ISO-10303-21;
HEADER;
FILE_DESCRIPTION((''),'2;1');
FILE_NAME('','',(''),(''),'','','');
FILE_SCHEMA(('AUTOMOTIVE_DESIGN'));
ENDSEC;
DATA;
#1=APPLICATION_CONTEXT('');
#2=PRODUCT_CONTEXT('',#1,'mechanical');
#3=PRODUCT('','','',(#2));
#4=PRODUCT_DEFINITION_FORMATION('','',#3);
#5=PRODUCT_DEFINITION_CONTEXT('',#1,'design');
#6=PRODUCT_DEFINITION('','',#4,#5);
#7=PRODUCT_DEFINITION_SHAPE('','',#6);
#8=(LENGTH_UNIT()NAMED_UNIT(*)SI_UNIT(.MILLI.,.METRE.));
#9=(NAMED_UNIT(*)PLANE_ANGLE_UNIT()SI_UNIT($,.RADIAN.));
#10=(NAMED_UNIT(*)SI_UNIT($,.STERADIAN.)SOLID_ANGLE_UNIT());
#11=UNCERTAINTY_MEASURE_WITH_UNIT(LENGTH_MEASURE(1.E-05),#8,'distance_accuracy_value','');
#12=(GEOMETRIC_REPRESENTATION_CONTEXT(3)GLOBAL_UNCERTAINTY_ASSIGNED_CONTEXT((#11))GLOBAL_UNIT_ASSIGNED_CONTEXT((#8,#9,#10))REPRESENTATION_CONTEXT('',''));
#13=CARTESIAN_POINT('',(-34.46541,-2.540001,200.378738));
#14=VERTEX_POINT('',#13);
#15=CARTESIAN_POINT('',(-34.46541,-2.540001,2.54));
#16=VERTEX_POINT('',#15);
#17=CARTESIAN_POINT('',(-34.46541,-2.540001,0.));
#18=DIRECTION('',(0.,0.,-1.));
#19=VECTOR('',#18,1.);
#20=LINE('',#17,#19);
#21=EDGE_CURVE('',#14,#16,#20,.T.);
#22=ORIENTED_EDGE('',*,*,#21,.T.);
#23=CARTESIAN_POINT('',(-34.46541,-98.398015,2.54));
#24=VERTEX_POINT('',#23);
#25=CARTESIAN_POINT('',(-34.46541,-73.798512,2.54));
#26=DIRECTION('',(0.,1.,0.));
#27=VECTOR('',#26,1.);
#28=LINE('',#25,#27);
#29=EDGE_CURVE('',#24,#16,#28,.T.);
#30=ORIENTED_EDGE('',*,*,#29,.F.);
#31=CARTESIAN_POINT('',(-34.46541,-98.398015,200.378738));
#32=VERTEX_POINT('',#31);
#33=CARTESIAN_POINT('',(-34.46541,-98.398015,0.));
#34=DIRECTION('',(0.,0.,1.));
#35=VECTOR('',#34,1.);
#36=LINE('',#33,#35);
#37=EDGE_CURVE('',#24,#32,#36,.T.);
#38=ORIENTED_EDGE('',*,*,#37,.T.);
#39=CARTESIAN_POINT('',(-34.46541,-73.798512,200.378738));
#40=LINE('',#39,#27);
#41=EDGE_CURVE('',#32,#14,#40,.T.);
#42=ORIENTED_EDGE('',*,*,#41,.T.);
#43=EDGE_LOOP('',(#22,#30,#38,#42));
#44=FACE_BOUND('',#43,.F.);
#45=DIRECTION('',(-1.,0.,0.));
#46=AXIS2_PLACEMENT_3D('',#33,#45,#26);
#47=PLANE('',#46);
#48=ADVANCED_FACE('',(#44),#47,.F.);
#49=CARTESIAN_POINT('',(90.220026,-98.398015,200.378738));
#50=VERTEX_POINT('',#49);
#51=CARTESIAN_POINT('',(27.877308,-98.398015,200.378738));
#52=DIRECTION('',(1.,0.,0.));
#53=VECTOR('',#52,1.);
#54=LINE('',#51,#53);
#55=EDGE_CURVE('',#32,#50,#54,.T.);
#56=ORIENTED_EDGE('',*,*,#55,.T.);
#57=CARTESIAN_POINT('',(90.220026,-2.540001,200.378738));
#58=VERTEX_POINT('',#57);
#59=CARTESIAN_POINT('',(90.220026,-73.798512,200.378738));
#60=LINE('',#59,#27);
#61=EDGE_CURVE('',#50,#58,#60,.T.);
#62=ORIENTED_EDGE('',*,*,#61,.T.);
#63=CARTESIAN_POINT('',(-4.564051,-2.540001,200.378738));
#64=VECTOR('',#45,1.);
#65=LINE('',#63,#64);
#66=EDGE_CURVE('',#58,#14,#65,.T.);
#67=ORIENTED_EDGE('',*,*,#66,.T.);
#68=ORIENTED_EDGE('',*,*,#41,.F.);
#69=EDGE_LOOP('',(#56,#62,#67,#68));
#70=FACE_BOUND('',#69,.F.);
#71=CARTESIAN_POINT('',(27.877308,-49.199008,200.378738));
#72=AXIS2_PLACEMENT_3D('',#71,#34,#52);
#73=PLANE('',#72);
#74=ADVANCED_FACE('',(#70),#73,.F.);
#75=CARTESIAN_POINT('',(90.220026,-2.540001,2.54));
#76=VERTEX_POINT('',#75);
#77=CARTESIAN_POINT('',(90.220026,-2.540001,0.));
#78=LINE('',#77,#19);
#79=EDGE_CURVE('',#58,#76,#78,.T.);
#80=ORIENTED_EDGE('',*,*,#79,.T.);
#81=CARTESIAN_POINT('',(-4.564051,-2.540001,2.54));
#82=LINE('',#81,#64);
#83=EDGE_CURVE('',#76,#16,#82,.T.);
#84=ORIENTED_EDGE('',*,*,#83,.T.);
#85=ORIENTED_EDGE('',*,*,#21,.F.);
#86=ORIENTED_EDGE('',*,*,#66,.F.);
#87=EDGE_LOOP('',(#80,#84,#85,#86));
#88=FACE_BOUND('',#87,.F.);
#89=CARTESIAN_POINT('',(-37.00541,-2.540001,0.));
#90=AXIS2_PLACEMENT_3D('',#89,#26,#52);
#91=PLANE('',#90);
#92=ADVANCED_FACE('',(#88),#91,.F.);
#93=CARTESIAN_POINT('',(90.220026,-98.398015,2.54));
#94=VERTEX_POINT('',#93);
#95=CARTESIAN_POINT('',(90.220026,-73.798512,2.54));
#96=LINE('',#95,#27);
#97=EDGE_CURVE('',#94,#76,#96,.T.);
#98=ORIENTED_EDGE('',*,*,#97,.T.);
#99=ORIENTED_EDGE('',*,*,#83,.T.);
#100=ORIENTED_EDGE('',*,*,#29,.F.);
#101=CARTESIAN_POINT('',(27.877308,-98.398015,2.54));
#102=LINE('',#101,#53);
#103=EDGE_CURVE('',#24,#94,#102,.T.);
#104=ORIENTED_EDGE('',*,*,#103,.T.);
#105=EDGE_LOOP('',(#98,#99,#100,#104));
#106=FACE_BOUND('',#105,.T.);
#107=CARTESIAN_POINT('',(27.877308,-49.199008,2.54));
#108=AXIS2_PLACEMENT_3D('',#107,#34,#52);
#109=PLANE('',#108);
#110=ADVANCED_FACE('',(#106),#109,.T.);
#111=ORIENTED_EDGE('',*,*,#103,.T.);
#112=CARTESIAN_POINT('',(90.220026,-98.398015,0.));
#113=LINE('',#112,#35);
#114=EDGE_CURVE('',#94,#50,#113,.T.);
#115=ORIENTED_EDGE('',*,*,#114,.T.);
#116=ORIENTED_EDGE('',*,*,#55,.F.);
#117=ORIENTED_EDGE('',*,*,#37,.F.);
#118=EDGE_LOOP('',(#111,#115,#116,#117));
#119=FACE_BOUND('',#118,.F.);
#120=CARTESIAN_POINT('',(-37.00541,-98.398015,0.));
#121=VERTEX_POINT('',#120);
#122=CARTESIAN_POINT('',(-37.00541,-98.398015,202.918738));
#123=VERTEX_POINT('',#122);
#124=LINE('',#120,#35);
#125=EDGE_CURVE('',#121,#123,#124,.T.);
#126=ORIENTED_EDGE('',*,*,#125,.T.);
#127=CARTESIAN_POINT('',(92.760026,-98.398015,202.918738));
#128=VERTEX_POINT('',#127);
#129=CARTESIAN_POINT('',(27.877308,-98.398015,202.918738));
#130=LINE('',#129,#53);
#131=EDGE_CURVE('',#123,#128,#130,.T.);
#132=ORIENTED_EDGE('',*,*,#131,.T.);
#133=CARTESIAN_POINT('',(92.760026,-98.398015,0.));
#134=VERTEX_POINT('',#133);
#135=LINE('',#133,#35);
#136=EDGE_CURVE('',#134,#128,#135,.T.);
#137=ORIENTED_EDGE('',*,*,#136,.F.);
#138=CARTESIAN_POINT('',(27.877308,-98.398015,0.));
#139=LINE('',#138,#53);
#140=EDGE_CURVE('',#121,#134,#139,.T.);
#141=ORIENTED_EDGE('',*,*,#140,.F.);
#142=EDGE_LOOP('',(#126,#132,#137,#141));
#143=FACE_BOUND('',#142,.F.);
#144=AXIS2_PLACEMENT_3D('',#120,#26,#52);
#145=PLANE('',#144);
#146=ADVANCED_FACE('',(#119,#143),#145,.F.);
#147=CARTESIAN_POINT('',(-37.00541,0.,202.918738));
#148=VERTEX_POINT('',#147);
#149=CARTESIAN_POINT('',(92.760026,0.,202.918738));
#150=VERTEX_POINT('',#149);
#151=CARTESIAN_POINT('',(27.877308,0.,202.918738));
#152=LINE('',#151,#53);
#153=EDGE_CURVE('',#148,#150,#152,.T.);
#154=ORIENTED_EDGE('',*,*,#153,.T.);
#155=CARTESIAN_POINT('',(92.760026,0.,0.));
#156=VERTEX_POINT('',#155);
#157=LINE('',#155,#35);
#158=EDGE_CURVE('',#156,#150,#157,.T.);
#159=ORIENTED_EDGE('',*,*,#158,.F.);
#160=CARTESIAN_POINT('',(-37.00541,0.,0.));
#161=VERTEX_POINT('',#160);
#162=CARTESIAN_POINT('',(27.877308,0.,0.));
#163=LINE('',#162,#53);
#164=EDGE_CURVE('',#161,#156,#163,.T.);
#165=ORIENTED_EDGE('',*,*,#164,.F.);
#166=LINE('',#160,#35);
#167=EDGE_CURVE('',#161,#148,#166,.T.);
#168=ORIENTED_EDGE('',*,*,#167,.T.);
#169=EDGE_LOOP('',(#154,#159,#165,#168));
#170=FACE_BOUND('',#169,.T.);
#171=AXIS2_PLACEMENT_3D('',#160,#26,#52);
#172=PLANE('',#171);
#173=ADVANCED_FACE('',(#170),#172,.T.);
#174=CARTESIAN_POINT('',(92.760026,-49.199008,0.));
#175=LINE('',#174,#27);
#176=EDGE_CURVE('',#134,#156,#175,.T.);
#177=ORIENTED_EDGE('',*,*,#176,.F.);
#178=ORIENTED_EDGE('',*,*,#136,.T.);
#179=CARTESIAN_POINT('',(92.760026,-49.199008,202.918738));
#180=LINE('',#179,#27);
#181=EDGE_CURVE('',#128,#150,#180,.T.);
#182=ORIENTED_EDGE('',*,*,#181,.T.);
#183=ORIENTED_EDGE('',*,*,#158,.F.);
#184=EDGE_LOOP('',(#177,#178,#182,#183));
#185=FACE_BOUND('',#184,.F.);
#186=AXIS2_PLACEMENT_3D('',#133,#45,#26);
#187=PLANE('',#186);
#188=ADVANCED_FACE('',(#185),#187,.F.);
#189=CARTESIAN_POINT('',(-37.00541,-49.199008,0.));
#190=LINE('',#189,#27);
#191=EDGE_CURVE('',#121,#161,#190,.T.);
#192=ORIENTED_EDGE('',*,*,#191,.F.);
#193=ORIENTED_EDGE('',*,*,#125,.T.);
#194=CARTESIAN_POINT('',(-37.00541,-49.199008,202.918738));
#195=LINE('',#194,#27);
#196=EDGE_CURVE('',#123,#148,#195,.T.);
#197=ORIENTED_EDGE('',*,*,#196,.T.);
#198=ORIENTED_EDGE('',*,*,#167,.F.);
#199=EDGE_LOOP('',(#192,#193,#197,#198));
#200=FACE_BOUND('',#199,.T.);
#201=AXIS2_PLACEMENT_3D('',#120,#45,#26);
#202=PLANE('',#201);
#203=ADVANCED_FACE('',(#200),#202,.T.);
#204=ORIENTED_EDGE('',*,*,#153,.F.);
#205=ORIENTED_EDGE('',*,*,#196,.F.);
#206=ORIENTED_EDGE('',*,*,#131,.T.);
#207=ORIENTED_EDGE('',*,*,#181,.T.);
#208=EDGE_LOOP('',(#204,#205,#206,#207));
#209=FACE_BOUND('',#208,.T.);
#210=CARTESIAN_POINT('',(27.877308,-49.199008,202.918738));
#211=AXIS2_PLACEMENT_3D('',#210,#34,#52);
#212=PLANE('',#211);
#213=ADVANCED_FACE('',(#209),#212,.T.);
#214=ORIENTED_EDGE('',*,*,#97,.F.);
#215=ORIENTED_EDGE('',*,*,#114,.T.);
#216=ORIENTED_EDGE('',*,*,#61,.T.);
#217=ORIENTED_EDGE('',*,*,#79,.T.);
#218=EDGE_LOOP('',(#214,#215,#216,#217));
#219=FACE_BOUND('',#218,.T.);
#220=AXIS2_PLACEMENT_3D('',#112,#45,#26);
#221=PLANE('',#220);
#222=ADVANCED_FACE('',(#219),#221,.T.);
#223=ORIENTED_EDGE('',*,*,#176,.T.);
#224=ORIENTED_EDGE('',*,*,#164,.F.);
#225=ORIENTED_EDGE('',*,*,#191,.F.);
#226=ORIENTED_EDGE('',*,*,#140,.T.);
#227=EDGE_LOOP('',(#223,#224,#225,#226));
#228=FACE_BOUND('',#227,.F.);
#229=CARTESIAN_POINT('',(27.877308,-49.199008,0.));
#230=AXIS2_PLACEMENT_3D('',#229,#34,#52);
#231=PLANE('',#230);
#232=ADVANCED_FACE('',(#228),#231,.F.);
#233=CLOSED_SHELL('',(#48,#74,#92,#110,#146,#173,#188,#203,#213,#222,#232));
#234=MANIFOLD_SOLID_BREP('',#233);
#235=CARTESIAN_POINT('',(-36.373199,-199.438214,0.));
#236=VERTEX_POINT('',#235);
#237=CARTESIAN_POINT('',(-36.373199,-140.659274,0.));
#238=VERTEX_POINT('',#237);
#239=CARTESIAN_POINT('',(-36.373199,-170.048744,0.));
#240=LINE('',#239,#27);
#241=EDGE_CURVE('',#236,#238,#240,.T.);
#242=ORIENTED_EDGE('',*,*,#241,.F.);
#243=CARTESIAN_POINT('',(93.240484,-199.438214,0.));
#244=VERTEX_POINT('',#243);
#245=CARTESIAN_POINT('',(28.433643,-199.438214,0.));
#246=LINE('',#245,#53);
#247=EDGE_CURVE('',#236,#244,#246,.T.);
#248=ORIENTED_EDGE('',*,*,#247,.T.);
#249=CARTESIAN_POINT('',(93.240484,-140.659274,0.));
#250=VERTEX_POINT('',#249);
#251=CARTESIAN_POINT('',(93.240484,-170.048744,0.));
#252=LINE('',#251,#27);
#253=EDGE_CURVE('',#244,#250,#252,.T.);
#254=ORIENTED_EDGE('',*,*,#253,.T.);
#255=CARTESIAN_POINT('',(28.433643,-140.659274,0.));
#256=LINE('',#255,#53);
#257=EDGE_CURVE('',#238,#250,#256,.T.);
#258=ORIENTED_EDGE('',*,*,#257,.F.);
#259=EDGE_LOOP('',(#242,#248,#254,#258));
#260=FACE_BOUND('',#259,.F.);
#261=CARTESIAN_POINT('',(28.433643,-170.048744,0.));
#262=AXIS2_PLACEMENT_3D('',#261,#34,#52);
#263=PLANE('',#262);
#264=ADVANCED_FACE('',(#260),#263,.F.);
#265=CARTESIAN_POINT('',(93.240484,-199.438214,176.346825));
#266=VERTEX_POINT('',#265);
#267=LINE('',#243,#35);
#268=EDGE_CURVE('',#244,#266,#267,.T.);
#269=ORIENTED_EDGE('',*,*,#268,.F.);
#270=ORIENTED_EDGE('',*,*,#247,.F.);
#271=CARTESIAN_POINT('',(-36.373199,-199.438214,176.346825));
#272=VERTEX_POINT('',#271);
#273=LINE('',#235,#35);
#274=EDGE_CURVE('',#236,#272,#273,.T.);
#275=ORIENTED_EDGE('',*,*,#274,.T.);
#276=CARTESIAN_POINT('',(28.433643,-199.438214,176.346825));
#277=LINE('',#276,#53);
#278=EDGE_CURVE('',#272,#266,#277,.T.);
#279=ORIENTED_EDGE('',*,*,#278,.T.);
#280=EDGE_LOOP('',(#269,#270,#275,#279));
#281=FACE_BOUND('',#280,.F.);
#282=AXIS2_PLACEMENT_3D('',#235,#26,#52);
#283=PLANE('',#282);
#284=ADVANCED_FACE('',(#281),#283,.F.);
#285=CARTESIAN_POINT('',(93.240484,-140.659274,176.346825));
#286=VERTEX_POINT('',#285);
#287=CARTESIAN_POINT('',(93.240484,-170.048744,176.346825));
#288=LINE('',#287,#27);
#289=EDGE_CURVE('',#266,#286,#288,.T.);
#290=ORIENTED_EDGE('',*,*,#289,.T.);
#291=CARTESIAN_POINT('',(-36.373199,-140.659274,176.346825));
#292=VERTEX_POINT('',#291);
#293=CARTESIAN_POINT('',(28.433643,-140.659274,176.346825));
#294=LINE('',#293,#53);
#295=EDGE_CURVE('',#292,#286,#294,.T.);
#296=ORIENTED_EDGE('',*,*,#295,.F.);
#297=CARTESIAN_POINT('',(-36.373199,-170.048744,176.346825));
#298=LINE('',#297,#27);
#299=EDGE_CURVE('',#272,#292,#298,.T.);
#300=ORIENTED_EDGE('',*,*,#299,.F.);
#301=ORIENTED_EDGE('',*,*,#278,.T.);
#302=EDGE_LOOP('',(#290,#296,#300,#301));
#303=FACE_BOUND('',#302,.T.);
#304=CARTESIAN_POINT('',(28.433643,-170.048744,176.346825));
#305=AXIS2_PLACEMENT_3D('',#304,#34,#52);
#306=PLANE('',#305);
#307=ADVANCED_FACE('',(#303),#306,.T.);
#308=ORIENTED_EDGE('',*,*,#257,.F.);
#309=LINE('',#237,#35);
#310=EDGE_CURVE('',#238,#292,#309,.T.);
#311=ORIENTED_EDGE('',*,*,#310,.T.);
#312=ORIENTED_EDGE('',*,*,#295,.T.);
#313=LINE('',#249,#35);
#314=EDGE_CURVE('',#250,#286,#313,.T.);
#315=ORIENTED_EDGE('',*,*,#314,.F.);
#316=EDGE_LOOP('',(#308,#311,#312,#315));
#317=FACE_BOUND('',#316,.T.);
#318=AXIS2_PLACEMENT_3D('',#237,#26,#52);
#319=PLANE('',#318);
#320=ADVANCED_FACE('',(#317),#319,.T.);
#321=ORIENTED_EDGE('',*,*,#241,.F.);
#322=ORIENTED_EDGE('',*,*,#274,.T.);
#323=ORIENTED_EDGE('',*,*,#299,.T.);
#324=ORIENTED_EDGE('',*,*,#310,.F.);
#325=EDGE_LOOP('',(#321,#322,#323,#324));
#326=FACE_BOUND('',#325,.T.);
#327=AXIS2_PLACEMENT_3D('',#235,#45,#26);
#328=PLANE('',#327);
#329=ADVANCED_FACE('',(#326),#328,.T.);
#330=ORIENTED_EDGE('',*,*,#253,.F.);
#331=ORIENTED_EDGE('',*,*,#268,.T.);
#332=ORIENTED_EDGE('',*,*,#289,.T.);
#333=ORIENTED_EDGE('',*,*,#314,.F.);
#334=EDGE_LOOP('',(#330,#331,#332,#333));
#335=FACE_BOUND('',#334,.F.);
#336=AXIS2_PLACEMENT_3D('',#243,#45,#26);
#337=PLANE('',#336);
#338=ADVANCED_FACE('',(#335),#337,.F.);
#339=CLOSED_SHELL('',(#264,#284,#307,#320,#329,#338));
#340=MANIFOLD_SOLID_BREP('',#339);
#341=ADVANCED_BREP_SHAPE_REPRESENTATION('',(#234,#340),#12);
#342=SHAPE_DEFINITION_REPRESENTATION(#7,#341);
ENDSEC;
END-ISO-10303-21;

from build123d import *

# Parameters (mm, degrees)
F0_W     = 129.765436
F0_H     = 98.398015
F1_DEPTH = 202.918738
F2_T     = -2.54
F3_W     = 129.613683
F3_H     = 58.778941
F4_DEPTH = 176.346825


with BuildPart() as f1:
    # F0 (on face) → F1 (new body)
    with BuildSketch(Plane.XY):
        with Locations((27.877308, -49.199008)):
            Rectangle(F0_W, F0_H)
    extrude(amount=F1_DEPTH)

    # F2
    f2_openings = [f1.faces().sort_by_distance(p)[0] for p in [
        (27.877308, -98.398015, 101.459369),
    ]]
    offset(amount=F2_T, openings=f2_openings)


with BuildPart() as f4:
    # F3 (on Top) → F4 (new body)
    with BuildSketch(Plane.XY):
        with Locations((28.433643, -170.048744)):
            Rectangle(F3_W, F3_H)
    extrude(amount=F4_DEPTH)


solid = Compound([f1.part, f4.part])
